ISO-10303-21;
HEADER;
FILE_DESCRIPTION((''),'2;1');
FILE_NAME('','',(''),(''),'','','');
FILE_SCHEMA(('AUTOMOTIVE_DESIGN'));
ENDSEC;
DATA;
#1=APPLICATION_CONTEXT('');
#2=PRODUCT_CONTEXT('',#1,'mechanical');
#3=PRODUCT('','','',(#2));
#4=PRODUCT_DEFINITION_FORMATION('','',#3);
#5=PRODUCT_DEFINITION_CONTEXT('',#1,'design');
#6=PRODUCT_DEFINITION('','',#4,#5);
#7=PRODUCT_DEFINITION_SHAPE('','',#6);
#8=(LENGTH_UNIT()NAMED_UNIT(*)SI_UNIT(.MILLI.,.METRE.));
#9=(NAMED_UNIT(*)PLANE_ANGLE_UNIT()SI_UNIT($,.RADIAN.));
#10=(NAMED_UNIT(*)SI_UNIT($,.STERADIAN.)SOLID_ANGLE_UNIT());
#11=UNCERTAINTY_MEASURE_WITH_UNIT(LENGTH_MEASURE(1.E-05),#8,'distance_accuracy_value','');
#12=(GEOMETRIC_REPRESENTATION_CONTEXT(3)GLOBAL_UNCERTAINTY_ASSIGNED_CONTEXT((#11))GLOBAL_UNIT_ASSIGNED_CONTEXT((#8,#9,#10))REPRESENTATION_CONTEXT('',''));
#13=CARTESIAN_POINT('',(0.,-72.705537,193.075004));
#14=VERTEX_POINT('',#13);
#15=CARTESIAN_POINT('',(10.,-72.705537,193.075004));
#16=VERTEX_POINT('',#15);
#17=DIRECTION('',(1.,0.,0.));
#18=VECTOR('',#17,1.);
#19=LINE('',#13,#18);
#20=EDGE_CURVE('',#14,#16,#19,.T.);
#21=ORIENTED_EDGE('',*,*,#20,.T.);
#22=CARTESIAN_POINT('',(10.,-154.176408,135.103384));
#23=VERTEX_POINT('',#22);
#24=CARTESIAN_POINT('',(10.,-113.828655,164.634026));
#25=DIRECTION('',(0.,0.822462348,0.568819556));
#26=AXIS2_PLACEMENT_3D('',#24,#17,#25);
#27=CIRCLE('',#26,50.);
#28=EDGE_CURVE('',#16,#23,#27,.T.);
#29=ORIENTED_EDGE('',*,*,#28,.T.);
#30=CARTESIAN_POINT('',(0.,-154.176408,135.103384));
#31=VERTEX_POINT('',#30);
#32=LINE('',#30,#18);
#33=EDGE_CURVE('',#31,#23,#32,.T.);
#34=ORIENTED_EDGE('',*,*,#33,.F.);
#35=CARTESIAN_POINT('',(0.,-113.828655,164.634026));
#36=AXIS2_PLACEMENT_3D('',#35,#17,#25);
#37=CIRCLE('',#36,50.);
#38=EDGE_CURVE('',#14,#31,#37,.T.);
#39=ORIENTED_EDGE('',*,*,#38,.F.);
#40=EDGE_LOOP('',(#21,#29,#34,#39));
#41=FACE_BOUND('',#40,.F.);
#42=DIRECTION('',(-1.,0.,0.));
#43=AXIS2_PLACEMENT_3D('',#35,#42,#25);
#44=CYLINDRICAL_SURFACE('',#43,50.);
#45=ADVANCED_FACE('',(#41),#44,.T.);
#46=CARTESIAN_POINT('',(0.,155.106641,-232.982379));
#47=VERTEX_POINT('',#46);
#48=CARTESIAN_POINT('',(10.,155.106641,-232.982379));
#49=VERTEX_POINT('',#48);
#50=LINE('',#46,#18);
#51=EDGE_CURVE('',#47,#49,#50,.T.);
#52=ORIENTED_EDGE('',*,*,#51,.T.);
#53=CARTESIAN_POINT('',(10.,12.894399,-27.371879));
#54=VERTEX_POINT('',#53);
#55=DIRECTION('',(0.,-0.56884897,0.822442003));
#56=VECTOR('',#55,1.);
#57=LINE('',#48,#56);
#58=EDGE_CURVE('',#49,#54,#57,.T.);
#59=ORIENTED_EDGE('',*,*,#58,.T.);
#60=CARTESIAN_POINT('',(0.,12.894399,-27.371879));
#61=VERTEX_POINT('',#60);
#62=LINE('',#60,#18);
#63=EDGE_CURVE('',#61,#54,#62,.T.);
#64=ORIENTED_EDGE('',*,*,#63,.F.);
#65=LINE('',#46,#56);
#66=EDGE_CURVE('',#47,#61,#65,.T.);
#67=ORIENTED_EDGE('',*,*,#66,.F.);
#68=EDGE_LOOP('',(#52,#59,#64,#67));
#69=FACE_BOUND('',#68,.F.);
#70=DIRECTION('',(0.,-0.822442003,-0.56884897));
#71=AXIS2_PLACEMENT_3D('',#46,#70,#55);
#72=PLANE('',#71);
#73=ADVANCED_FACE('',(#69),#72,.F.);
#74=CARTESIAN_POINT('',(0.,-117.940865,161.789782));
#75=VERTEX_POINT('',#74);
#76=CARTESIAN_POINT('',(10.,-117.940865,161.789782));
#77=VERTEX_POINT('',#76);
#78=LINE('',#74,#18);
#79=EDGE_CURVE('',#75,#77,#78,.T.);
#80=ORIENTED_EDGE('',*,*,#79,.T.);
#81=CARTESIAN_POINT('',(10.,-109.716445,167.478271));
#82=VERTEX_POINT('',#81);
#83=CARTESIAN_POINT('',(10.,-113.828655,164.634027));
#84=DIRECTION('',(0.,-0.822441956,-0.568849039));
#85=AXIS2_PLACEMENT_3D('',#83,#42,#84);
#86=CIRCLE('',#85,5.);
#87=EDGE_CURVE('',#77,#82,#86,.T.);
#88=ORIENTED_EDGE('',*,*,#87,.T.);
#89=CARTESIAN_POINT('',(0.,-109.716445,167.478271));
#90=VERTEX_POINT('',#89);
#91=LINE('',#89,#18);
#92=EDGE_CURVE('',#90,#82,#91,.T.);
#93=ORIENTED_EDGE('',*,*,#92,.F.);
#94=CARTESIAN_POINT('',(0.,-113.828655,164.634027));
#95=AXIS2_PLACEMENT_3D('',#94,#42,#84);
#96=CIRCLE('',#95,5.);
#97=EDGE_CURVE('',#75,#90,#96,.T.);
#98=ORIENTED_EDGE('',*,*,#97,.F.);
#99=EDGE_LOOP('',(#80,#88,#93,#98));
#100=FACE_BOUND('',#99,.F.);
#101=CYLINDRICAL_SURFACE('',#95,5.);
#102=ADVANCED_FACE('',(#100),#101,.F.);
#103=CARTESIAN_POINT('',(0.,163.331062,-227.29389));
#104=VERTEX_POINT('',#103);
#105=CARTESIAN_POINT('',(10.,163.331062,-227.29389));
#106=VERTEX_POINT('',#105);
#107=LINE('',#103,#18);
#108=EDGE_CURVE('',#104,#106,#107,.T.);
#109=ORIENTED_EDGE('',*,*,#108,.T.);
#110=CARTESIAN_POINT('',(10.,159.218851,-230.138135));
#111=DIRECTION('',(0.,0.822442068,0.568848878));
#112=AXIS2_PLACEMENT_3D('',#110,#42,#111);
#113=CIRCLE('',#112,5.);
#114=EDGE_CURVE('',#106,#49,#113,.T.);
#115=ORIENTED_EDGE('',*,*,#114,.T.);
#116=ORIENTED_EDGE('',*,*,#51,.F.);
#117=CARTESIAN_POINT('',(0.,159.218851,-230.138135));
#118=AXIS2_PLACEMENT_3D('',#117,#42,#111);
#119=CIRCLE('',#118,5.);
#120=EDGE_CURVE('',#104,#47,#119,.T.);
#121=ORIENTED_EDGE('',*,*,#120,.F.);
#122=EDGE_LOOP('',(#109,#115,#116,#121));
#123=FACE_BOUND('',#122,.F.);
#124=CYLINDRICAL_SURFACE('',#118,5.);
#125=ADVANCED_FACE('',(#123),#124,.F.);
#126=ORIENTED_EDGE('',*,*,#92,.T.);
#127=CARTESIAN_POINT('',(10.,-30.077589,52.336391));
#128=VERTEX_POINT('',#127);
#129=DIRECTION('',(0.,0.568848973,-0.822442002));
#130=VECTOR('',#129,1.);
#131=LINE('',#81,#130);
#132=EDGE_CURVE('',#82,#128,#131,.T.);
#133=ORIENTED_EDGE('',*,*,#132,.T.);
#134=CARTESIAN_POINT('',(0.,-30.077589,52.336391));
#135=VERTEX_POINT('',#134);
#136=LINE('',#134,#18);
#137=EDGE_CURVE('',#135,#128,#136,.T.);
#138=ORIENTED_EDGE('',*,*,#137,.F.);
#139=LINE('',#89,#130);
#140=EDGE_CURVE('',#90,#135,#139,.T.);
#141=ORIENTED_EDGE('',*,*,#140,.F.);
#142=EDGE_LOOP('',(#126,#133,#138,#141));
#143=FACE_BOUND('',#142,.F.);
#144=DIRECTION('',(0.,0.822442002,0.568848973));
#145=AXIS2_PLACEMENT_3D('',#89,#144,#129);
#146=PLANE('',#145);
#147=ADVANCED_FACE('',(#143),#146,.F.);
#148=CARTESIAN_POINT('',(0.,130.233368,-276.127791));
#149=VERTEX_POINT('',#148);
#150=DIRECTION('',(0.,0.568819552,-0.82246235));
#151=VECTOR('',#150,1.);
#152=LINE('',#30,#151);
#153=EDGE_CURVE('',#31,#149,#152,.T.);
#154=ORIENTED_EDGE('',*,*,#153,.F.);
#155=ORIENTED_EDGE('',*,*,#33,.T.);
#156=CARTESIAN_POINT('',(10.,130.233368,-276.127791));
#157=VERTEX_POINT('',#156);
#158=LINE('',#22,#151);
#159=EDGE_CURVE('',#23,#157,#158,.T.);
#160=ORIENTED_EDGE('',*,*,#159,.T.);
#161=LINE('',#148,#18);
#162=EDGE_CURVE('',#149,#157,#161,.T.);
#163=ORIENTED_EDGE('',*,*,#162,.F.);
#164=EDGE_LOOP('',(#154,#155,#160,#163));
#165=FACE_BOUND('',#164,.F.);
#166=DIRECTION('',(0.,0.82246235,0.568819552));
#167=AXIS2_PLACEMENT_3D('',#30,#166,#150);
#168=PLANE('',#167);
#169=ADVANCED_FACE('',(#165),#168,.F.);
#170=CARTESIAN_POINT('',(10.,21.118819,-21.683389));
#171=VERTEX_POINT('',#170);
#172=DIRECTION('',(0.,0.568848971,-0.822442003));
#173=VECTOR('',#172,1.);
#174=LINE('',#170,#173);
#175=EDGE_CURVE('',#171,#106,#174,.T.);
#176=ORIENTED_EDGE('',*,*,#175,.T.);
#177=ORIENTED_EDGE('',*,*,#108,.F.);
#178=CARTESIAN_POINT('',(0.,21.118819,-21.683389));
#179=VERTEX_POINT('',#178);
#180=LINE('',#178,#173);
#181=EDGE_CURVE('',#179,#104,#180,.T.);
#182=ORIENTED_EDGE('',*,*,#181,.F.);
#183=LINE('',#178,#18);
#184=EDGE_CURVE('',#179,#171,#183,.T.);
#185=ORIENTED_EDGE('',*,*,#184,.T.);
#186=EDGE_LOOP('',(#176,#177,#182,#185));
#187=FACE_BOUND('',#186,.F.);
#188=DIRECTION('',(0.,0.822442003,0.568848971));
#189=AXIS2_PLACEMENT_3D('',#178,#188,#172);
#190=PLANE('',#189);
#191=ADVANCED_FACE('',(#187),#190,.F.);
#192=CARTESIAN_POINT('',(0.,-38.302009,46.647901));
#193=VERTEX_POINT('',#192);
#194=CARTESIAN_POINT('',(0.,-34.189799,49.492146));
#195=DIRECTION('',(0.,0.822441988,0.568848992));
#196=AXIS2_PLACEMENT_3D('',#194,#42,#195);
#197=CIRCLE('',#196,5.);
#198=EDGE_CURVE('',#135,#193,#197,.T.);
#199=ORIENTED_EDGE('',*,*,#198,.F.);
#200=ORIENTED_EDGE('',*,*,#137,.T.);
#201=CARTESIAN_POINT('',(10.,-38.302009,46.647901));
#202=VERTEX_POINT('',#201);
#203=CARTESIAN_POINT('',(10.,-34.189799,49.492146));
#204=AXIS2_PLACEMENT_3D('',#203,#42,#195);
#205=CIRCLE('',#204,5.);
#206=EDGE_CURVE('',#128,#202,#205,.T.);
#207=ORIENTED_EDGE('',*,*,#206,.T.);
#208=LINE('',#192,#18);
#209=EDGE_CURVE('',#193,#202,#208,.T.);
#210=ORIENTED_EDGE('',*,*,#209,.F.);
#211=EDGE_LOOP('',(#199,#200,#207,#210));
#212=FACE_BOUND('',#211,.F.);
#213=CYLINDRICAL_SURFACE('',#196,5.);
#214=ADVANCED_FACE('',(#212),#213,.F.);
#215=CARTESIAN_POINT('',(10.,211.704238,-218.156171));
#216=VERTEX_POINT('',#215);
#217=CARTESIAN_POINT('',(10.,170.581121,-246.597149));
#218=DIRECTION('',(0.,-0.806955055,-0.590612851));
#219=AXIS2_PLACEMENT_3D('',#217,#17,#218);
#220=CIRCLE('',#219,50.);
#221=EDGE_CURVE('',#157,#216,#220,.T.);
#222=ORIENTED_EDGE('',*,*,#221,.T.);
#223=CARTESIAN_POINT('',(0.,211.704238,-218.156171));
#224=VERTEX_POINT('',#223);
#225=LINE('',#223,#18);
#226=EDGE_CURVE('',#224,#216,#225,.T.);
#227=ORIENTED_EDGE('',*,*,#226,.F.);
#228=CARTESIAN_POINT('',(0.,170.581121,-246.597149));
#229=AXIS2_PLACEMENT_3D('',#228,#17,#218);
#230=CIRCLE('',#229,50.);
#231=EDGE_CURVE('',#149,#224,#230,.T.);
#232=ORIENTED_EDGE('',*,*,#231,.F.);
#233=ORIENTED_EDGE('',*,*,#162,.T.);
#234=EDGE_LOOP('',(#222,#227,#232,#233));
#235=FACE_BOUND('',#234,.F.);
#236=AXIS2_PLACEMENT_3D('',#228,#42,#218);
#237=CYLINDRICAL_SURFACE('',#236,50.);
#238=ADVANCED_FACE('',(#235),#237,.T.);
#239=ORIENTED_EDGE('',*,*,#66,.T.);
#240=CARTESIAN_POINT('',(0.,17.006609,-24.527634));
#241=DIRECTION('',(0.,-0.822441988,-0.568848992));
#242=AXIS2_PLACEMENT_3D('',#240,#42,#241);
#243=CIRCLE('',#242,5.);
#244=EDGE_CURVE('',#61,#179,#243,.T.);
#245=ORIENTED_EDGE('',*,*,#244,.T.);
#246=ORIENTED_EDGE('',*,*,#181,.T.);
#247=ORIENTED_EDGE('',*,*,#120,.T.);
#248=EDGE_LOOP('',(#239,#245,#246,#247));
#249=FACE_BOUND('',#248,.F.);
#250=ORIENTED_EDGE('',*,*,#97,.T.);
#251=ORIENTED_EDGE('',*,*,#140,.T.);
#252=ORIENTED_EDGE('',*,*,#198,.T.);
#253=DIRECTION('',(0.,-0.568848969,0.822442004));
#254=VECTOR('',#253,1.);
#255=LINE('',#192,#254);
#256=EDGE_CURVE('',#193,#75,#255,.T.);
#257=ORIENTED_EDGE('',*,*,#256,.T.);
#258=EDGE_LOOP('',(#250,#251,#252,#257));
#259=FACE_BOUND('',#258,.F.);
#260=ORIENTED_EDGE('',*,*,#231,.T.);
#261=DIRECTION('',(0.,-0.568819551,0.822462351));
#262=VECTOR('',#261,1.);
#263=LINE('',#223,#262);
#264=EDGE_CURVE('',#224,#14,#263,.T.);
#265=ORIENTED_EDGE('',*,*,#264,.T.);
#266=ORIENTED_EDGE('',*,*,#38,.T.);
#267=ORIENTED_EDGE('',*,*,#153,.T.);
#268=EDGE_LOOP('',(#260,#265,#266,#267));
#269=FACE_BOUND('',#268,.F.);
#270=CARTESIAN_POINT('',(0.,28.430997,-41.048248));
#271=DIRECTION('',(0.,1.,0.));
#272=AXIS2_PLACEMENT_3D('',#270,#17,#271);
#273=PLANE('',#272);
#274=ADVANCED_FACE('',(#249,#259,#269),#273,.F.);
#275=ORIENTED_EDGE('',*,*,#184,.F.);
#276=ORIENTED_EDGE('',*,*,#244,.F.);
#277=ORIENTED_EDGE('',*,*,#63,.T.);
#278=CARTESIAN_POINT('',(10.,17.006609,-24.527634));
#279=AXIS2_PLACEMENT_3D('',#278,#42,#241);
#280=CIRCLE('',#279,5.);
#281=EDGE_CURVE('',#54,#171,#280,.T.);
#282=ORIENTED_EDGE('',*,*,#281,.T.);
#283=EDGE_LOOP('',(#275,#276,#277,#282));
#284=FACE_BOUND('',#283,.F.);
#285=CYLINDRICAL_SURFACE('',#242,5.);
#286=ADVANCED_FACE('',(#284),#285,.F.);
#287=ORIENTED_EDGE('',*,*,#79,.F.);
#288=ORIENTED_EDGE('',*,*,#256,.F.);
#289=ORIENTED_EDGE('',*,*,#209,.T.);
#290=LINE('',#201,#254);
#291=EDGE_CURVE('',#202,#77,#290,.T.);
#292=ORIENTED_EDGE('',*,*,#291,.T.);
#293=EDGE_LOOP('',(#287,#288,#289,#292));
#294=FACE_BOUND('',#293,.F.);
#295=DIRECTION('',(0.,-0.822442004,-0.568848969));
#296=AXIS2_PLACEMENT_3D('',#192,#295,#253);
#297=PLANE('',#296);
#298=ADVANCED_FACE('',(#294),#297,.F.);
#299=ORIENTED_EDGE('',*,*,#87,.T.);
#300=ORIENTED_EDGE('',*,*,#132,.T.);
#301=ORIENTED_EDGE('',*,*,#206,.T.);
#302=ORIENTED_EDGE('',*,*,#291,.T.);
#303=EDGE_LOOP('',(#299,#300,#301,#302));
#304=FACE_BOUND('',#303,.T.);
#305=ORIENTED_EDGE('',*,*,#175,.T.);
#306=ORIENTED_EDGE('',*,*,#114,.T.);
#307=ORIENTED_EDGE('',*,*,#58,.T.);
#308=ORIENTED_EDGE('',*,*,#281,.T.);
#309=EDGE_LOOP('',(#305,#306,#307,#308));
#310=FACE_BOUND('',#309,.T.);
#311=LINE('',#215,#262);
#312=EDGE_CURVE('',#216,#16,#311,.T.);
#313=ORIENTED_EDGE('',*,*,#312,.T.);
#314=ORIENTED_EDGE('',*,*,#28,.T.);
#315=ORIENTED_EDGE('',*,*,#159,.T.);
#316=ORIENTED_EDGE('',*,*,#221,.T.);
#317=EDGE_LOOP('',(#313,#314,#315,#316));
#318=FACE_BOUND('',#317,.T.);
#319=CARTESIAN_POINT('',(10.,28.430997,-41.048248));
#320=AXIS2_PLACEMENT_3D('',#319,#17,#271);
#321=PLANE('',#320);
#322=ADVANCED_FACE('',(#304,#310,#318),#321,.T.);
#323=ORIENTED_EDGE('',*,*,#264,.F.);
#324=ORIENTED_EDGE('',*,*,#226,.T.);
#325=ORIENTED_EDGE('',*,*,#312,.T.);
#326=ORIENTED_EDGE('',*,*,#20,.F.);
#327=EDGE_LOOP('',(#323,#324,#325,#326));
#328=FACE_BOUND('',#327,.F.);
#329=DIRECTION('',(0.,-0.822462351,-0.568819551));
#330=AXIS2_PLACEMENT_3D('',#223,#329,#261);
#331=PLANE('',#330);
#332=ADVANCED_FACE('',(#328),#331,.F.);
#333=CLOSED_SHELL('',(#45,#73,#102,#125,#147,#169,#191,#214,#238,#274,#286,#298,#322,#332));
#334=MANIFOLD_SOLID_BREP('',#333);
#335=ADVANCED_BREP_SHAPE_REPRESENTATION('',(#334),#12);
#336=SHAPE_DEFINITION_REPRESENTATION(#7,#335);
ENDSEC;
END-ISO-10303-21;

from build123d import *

# Parameters (mm, degrees)
F1_DEPTH = 10


with BuildPart() as f1:
    # F0 (on Right) → F1 (new body)
    with BuildSketch(Plane.YZ):
        with BuildLine():
            Line((211.704238, -218.156171), (-72.705537, 193.075004))
            ThreePointArc((-72.705537, 193.075004), (-142.817057, 205.373105), (-154.176408, 135.103384))
            Line((-154.176408, 135.103384), (130.233368, -276.127791))
            ThreePointArc((130.233368, -276.127791), (199.569523, -287.336227), (211.704238, -218.156171))
        make_face()
        with BuildLine():
            ThreePointArc((12.894399, -27.371879), (14.162364, -20.415424), (21.118819, -21.683389))
            Line((21.118819, -21.683389), (163.331062, -227.29389))
            ThreePointArc((163.331062, -227.29389), (162.063096, -234.250345), (155.106641, -232.982379))
            Line((155.106641, -232.982379), (12.894399, -27.371879))
        make_face(mode=Mode.SUBTRACT)
        with BuildLine():
            Line((-38.302009, 46.647901), (-117.940865, 161.789782))
            ThreePointArc((-117.940865, 161.789782), (-116.6729, 168.746237), (-109.716445, 167.478271))
            Line((-109.716445, 167.478271), (-30.077589, 52.336391))
            ThreePointArc((-30.077589, 52.336391), (-31.345554, 45.379936), (-38.302009, 46.647901))
        make_face(mode=Mode.SUBTRACT)
    extrude(amount=F1_DEPTH)


solid = f1.part
